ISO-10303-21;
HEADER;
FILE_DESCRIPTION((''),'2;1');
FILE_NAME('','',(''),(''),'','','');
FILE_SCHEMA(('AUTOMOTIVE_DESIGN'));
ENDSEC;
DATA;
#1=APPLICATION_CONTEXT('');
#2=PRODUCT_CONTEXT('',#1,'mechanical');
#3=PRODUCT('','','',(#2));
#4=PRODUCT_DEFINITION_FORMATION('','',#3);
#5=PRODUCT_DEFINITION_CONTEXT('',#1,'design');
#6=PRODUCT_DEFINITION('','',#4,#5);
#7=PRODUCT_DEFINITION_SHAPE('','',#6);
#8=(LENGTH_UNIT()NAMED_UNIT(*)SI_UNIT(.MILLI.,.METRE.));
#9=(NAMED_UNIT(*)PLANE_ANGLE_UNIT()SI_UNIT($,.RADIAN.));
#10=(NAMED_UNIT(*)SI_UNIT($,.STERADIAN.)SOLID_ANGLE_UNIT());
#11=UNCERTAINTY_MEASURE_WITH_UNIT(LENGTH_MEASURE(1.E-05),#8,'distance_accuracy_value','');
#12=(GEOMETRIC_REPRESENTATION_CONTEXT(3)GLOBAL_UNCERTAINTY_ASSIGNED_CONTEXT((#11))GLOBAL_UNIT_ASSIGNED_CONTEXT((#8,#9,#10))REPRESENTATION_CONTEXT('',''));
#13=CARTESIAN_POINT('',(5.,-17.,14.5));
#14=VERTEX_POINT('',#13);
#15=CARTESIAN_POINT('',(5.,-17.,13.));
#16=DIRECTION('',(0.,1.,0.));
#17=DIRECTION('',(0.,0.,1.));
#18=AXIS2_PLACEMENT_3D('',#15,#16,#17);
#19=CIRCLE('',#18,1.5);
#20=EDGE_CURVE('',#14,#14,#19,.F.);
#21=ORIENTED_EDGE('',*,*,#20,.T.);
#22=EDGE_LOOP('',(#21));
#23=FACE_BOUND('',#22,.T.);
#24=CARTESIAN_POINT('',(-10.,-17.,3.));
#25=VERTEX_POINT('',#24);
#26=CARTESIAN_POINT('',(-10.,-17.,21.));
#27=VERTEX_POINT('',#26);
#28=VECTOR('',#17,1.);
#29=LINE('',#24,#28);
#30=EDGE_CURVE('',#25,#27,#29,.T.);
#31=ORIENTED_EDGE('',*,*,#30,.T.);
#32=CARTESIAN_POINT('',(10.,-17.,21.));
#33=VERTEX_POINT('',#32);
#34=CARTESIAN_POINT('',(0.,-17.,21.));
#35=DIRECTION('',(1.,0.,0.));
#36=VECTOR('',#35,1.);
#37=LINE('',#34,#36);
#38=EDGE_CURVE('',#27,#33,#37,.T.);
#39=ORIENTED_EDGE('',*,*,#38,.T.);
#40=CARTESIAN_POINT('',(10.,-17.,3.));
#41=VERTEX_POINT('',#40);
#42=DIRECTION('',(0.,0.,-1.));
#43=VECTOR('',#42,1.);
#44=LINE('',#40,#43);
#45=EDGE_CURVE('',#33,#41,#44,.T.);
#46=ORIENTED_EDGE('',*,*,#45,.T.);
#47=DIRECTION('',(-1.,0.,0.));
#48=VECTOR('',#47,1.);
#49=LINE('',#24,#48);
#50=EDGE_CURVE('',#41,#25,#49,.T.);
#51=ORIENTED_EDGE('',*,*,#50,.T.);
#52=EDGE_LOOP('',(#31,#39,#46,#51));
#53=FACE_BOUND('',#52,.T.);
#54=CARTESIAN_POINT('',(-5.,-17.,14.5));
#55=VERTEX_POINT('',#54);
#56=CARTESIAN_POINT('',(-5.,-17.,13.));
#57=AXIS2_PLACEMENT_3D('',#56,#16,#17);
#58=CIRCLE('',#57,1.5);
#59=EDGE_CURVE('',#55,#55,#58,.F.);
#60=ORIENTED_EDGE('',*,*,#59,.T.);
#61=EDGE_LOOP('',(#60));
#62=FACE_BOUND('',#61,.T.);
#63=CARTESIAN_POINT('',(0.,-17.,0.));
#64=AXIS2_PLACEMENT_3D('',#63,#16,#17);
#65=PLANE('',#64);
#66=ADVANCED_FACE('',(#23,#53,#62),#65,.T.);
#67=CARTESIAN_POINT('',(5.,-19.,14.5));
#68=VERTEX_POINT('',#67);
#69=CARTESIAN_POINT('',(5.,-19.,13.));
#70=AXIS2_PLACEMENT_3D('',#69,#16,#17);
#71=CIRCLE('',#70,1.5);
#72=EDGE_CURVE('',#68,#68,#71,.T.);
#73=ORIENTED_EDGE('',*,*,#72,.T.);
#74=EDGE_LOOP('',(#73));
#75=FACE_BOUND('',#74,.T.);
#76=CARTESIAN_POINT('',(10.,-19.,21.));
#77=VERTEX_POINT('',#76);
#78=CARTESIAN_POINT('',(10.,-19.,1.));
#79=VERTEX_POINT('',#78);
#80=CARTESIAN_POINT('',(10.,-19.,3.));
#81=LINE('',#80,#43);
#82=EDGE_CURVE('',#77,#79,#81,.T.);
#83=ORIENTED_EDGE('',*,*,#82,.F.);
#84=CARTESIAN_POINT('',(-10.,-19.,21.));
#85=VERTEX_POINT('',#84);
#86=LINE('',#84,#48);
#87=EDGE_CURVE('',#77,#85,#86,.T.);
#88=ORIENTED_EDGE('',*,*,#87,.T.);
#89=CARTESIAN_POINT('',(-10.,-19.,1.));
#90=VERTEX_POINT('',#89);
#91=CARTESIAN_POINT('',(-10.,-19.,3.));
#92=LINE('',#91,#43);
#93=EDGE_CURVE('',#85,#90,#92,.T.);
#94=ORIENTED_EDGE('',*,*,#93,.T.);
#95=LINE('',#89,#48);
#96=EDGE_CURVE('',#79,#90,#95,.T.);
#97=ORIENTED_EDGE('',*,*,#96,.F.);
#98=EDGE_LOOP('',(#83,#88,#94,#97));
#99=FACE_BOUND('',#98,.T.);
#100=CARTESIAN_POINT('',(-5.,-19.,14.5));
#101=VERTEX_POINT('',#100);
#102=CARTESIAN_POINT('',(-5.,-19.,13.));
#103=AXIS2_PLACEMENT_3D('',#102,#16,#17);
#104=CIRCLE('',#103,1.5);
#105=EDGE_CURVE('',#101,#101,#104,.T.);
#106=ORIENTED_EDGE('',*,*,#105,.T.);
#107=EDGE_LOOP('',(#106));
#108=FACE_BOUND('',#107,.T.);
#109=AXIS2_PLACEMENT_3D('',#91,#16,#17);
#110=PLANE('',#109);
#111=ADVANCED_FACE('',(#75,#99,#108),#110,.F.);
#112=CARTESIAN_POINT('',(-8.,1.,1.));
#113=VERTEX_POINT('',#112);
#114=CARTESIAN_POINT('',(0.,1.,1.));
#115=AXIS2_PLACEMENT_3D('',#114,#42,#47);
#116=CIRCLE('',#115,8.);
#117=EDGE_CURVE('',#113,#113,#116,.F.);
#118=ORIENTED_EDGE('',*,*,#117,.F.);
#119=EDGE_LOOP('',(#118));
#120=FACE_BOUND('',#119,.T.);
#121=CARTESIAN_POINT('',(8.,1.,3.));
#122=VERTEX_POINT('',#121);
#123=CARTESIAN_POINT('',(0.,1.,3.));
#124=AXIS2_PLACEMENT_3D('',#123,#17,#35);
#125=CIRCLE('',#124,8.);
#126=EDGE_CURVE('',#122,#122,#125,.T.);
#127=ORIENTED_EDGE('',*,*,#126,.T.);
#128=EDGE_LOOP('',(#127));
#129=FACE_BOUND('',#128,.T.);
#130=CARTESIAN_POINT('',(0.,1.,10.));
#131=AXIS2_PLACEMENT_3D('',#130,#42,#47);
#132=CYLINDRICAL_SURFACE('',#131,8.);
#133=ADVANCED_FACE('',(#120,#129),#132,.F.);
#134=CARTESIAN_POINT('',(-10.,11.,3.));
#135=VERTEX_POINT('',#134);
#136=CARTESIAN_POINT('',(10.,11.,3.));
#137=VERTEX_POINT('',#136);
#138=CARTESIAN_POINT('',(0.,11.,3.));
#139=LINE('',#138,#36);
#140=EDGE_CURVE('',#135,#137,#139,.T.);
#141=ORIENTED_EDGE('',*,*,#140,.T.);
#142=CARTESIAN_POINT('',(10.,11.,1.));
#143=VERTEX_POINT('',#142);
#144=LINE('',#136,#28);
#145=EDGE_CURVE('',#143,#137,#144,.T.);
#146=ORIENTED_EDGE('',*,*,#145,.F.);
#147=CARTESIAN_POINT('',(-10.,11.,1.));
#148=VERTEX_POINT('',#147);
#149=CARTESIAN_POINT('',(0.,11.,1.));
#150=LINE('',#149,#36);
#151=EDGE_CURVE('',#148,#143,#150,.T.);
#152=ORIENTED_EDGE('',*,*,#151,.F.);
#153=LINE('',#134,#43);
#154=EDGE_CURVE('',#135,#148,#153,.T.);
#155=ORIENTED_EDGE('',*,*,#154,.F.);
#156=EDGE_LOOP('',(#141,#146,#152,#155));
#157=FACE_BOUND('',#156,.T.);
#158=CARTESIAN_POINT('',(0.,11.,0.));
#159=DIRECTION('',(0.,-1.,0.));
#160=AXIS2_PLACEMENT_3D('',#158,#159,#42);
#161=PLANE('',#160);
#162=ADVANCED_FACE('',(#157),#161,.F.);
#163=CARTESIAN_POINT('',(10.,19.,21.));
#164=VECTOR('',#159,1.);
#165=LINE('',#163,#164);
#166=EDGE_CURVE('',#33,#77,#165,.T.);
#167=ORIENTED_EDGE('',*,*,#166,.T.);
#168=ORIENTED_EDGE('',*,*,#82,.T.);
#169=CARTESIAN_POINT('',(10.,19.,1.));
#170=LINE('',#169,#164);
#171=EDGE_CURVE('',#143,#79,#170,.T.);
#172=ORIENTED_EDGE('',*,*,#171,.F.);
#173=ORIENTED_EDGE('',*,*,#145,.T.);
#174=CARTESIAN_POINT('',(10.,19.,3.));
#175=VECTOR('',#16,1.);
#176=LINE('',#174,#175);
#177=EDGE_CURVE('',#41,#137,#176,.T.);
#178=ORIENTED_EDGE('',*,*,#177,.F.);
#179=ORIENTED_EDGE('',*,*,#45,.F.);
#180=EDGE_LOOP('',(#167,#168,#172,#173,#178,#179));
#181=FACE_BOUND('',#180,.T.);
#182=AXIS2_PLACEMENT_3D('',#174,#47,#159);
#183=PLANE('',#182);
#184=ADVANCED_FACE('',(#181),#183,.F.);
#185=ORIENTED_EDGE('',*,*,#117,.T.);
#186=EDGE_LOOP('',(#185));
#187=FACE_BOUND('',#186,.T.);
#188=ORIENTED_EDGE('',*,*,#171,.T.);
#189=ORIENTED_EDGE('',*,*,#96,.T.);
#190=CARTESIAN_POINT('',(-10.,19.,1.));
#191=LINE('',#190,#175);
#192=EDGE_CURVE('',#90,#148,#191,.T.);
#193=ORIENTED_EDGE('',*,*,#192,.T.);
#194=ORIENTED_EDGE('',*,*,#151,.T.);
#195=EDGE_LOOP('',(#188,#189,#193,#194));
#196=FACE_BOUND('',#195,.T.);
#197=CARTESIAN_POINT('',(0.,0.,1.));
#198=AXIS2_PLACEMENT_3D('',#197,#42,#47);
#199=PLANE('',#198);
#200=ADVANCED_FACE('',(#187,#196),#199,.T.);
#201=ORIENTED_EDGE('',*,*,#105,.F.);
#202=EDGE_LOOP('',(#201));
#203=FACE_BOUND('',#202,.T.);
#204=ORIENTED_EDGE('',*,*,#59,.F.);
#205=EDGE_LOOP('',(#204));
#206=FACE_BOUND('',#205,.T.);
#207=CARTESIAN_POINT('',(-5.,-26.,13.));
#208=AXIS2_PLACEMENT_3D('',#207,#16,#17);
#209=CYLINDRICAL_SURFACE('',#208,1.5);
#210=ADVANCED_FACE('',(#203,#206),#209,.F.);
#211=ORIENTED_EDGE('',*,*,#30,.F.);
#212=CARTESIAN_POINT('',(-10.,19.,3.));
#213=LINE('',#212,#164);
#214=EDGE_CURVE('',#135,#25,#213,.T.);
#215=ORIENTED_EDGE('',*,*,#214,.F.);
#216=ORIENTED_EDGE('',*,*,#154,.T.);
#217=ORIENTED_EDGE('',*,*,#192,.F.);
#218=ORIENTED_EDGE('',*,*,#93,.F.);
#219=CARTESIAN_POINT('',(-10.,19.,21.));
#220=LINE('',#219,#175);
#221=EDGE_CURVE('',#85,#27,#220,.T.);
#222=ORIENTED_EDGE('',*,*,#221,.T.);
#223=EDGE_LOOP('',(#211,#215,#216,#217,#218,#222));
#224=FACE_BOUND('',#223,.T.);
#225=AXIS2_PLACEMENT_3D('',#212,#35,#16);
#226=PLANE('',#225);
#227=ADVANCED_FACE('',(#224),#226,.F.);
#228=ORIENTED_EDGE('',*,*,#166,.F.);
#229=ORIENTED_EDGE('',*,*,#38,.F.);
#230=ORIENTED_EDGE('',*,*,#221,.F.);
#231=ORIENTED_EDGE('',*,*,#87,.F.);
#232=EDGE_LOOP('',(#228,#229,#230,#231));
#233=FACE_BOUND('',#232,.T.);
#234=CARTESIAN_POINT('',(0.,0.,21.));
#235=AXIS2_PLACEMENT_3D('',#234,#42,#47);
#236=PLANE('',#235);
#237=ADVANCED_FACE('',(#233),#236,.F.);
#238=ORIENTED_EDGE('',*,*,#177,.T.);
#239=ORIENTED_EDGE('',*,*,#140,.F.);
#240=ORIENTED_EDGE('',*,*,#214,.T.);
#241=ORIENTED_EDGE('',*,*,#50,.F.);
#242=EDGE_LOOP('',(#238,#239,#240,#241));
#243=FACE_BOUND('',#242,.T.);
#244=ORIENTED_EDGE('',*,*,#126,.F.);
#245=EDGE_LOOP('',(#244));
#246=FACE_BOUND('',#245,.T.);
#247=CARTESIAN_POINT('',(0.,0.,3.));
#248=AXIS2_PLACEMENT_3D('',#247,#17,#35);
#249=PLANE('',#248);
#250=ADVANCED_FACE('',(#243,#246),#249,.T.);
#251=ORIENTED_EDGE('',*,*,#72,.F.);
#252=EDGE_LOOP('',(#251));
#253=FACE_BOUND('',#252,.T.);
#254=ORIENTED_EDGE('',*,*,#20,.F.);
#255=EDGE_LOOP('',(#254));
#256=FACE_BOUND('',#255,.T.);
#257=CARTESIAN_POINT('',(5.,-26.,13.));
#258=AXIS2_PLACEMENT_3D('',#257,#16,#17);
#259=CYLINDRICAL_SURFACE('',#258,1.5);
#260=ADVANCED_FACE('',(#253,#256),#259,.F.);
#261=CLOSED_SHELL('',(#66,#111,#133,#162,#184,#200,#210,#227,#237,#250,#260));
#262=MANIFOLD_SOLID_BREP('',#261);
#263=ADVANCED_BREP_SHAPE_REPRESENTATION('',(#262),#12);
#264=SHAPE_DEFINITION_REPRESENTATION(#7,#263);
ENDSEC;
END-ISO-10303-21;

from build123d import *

# Parameters (mm, degrees)
SKETCH_1_W          = 20
SKETCH_1_H          = 38
EXTRUDE_1_DEPTH     = 3
SKETCH_2_W          = 20
SKETCH_2_H          = 3
EXTRUDE_2_DEPTH     = 35
SKETCH_4_R          = 1.5
CUT_EXTRUDE_2_DEPTH = 10
SKETCH_6_R          = 8
CUT_EXTRUDE_4_DEPTH = 10
SKETCH_7_W          = 48.70277248
SKETCH_7_H          = 15.025597173
CUT_EXTRUDE_5_DEPTH = 17
SKETCH_8_W          = 23.770758151
SKETCH_8_H          = 7.865139004
CUT_EXTRUDE_6_DEPTH = 8
SKETCH_9_W          = 25.851926442
SKETCH_9_H          = 19.370122162
CUT_EXTRUDE_7_DEPTH = 1
SKETCH_10_W         = 62.66737892
SKETCH_10_H         = 43.463838198
CUT_EXTRUDE_8_DEPTH = 1


with BuildPart() as part:
    # 草图1 → 凸台-拉伸1 (new body)
    with BuildSketch(Plane.XY):
        Rectangle(SKETCH_1_W, SKETCH_1_H)
    extrude(amount=EXTRUDE_1_DEPTH)

    # 草图2 → 凸台-拉伸2 (add)
    with BuildSketch(Plane.XY.offset(3)):
        with Locations((0, -17.5)):
            Rectangle(SKETCH_2_W, SKETCH_2_H)
    extrude(amount=EXTRUDE_2_DEPTH)

    # 草图4 → 切除-拉伸2 (cut)
    with BuildSketch(Plane(origin=(0, -16, 0), x_dir=(1, 0, 0), z_dir=(0, 1, 0))):
        with Locations((-5, -13)):
            Circle(SKETCH_4_R)
        with Locations((5, -13)):
            Circle(SKETCH_4_R)
    extrude(amount=-CUT_EXTRUDE_2_DEPTH, mode=Mode.SUBTRACT)

    # 草图6 → 切除-拉伸4 (cut)
    with BuildSketch(Plane(origin=(0, 0, 0), x_dir=(-1, 0, 0), z_dir=(0, 0, -1))):
        with Locations((0, 1)):
            Circle(SKETCH_6_R)
    extrude(amount=-CUT_EXTRUDE_4_DEPTH, mode=Mode.SUBTRACT)

    # 草图7 → 切除-拉伸5 (cut)
    with BuildSketch(Plane.XY.offset(38)):
        with Locations((-7.483280409, -20.314408955)):
            Rectangle(SKETCH_7_W, SKETCH_7_H)
    extrude(amount=-CUT_EXTRUDE_5_DEPTH, mode=Mode.SUBTRACT)

    # 草图8 → 切除-拉伸6 (cut)
    with BuildSketch(Plane(origin=(0, 19, 0), x_dir=(1, 0, 0), z_dir=(0, 1, 0))):
        with Locations((-0.181621183, -1.317277333)):
            Rectangle(SKETCH_8_W, SKETCH_8_H)
    extrude(amount=-CUT_EXTRUDE_6_DEPTH, mode=Mode.SUBTRACT)

    # 草图9 → 切除-拉伸7 (cut)
    with BuildSketch(Plane(origin=(0, -16, 0), x_dir=(1, 0, 0), z_dir=(0, 1, 0))):
        with Locations((2.925963221, -12.685061081)):
            Rectangle(SKETCH_9_W, SKETCH_9_H)
    extrude(amount=-CUT_EXTRUDE_7_DEPTH, mode=Mode.SUBTRACT)

    # 草图10 → 切除-拉伸8 (cut)
    with BuildSketch(Plane(origin=(0, 0, 0), x_dir=(-1, 0, 0), z_dir=(0, 0, -1))):
        with Locations((0.038577245, -3.3946505)):
            Rectangle(SKETCH_10_W, SKETCH_10_H)
    extrude(amount=-CUT_EXTRUDE_8_DEPTH, mode=Mode.SUBTRACT)


solid = part.part
